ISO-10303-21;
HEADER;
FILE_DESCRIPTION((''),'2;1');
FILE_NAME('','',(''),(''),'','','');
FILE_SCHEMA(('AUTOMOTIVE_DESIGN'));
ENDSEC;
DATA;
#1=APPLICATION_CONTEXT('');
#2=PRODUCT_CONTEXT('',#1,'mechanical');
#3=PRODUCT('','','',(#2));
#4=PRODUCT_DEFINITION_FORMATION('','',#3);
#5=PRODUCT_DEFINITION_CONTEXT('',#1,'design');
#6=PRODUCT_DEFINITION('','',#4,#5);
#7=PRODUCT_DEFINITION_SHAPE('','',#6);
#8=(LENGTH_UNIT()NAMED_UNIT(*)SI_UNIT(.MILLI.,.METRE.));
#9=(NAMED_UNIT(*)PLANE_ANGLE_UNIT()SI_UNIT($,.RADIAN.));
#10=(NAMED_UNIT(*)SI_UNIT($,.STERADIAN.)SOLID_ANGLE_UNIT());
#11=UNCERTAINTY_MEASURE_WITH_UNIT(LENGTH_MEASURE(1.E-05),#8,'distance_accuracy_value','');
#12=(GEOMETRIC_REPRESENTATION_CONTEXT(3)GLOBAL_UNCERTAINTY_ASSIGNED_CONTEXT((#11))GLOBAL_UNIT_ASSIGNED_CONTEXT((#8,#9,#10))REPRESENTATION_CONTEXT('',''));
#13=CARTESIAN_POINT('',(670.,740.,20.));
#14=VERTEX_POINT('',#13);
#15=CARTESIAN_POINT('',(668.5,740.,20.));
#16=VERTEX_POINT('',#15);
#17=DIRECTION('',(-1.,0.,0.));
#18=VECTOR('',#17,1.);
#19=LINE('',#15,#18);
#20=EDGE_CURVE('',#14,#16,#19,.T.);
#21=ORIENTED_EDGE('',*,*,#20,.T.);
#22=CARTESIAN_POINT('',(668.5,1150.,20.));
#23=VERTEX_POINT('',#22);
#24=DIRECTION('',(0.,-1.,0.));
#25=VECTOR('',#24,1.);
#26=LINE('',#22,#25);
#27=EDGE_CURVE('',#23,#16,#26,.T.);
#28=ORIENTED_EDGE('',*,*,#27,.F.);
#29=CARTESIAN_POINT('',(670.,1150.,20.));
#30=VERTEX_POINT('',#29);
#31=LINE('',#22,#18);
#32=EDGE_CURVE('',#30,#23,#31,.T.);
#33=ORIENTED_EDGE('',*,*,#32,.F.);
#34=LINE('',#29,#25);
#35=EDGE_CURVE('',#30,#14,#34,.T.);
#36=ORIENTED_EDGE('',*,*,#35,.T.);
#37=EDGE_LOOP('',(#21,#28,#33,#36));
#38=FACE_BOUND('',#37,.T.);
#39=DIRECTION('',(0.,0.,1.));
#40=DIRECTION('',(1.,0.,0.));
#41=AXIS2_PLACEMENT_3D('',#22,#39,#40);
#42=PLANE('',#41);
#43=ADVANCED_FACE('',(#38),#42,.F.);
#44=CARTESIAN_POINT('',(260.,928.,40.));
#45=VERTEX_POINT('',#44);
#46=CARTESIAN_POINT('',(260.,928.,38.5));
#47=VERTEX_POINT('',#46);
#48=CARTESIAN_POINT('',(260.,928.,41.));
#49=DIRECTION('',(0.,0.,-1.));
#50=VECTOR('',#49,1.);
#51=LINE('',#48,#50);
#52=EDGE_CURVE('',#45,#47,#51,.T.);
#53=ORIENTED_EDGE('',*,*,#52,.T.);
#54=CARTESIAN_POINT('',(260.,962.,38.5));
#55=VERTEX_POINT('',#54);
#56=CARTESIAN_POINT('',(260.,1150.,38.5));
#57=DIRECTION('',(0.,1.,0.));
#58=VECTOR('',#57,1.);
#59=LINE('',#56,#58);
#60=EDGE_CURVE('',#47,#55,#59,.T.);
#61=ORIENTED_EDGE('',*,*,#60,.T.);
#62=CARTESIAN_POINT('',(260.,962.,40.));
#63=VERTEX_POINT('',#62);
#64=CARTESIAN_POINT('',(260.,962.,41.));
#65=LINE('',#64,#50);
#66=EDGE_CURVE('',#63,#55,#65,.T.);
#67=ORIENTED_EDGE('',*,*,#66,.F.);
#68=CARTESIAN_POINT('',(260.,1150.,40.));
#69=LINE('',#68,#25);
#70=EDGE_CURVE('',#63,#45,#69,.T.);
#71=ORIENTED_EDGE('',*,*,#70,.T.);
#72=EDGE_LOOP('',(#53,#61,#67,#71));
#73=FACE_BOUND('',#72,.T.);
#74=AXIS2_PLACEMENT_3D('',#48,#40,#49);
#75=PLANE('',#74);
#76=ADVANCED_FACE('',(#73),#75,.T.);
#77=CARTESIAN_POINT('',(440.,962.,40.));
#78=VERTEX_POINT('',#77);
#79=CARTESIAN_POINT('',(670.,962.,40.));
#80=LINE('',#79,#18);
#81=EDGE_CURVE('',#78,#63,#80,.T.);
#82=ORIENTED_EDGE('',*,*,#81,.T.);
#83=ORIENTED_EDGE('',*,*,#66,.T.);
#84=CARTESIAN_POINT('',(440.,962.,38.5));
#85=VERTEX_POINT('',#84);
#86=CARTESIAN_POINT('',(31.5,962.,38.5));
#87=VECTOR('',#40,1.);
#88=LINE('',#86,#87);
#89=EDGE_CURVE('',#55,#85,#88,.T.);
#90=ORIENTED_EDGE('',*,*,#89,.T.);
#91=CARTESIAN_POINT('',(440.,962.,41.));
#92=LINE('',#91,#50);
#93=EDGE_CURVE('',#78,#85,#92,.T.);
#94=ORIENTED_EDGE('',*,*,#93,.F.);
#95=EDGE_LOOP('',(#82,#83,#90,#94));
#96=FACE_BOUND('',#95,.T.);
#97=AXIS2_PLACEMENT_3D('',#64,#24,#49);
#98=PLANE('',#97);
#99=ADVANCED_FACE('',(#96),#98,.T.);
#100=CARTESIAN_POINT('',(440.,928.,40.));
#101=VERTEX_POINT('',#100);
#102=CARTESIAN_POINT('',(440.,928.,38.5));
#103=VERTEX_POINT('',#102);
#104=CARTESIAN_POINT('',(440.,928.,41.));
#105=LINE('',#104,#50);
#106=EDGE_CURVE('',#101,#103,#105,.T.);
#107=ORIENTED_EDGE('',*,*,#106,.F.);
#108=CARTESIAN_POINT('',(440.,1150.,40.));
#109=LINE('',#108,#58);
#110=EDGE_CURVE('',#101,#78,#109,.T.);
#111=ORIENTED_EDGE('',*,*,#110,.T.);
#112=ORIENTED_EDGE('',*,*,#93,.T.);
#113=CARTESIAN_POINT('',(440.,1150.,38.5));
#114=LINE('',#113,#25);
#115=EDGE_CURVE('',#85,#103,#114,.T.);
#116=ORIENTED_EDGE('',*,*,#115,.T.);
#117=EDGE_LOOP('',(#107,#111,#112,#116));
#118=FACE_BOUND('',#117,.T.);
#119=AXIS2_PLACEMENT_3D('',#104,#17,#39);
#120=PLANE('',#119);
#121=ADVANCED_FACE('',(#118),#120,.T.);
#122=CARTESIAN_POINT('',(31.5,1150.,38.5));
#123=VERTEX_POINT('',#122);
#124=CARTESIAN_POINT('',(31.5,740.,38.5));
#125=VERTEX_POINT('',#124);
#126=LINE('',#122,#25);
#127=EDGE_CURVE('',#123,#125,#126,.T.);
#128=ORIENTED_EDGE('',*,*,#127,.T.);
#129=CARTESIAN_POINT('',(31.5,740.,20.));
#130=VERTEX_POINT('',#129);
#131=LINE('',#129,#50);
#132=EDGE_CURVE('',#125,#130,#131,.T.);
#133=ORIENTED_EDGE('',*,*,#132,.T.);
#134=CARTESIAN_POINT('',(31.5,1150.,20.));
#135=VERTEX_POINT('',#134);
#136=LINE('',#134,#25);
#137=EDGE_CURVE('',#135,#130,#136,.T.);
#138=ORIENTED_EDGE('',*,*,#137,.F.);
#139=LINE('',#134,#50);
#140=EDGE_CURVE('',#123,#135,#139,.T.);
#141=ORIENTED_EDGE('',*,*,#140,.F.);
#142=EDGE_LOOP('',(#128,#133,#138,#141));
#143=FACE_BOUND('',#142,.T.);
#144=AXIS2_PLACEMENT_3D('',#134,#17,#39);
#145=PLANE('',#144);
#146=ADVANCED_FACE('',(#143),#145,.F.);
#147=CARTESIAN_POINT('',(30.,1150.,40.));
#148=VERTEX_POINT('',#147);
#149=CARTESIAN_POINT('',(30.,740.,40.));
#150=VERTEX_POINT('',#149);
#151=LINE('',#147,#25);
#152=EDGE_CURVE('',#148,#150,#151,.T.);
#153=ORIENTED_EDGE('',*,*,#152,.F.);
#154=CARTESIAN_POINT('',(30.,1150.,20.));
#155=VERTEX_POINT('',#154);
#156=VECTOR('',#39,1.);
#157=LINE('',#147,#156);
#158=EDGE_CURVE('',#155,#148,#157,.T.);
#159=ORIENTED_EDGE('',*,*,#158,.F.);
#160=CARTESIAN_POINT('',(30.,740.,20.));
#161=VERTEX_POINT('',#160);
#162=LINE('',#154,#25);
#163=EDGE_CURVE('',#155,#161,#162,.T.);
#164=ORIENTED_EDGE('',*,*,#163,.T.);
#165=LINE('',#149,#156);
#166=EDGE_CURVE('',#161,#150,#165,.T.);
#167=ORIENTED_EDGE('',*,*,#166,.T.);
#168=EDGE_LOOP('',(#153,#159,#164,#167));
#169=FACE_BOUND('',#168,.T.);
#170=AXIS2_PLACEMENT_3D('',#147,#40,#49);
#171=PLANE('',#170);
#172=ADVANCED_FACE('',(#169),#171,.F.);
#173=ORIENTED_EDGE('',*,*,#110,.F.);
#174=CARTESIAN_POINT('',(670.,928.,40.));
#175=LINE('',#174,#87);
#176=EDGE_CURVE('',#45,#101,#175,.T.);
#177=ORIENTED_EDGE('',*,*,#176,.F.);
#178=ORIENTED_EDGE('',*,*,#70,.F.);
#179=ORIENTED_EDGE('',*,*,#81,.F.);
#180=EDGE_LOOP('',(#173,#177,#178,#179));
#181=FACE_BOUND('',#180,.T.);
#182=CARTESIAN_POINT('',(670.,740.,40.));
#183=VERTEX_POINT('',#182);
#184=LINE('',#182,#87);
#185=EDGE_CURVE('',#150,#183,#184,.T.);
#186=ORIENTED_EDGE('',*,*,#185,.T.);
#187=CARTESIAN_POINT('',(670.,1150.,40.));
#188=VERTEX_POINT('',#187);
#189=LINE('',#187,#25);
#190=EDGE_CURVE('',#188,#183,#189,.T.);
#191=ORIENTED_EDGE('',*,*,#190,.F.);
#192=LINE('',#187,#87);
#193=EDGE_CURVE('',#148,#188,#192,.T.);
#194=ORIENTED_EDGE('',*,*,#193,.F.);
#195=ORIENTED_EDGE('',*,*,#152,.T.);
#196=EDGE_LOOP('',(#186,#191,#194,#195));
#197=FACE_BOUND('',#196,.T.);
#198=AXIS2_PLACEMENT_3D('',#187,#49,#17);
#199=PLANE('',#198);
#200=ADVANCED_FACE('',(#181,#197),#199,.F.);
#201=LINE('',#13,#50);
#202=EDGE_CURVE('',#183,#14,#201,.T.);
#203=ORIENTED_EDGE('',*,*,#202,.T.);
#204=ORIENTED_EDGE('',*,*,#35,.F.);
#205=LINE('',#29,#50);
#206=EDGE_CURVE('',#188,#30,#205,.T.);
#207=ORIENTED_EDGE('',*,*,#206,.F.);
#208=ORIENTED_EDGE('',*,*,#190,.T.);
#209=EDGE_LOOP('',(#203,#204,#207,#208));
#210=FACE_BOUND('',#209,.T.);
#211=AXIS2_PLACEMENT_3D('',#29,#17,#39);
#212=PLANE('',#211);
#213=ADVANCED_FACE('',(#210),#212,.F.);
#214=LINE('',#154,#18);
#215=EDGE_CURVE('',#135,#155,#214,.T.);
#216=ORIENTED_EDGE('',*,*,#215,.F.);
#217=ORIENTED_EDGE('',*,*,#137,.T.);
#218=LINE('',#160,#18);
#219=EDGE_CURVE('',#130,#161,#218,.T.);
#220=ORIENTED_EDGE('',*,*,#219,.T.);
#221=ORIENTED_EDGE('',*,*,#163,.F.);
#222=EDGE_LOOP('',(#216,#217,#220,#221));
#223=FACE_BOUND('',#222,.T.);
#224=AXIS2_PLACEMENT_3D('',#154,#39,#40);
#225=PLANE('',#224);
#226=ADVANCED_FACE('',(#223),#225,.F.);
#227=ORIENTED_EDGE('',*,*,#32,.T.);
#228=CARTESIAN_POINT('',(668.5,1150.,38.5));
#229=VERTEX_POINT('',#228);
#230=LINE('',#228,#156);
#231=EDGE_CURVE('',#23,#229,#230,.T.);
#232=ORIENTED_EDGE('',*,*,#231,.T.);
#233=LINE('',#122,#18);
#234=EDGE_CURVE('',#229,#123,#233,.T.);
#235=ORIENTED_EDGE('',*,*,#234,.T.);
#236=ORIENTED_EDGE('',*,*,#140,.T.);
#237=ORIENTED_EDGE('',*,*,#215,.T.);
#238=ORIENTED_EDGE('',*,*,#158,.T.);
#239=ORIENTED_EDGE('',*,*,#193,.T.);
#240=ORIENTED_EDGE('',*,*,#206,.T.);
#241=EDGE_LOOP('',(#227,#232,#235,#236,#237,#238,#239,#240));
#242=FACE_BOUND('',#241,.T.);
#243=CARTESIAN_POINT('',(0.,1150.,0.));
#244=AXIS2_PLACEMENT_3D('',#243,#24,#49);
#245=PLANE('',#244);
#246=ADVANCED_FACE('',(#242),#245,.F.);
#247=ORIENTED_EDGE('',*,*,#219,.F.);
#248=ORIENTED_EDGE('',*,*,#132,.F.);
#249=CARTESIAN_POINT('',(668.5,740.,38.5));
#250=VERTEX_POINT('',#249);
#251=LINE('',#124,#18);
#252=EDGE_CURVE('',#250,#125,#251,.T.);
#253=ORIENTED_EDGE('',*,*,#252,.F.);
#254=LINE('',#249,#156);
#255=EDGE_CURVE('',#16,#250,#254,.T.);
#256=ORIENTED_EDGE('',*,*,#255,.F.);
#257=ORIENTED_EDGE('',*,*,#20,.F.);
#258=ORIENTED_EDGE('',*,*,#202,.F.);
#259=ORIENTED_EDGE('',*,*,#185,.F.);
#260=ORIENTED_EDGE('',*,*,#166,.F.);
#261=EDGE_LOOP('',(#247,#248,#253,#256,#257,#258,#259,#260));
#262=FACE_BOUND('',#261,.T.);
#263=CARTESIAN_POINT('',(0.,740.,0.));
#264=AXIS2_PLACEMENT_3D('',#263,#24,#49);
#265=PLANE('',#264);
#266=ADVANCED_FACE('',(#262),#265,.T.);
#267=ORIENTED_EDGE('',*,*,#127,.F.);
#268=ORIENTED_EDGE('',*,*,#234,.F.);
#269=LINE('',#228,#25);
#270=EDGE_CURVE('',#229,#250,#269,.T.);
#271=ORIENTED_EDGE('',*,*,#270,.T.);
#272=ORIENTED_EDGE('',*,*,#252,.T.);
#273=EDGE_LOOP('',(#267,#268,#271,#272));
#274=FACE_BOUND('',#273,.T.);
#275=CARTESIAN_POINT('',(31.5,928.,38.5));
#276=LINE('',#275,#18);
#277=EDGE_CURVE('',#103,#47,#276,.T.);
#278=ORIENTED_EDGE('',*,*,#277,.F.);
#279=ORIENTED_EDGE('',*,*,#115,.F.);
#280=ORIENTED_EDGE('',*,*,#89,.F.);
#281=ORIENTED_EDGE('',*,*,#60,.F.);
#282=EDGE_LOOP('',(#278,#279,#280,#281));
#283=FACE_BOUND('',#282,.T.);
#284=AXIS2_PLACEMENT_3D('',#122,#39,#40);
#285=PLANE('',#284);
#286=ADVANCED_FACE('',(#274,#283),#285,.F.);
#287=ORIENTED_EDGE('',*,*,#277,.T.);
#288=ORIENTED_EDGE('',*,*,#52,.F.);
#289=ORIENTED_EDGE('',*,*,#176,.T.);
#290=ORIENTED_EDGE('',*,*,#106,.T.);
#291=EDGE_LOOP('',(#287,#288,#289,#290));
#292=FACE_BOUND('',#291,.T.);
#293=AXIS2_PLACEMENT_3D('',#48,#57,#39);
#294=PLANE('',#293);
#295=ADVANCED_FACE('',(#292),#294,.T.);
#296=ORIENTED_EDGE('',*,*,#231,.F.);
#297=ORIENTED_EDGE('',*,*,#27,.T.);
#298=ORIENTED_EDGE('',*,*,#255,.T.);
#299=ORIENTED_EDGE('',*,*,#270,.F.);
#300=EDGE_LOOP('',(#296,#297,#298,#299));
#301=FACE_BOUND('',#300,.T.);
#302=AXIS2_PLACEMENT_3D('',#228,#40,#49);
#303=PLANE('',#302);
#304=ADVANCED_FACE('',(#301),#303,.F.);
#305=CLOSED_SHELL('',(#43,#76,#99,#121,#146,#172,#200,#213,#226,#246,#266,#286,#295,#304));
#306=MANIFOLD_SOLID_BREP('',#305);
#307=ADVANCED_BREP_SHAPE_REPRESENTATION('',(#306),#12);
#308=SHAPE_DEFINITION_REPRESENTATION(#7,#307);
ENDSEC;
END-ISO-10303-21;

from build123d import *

# Parameters (mm, degrees)
TOPPING_KLAPE_KAT3_KAPAK_1_START = 740
TOPPING_KLAPE_KAT3_KAPAK_1_DEPTH = 410
TOPPING_KLAPE_KAT3_KAPAK_2_START = 27
SKETCH2_W                        = 180
SKETCH2_H                        = 34
TOPPING_KLAPE_KAT3_KAPAK_2_DEPTH = 14


with BuildPart() as part:
    # Sketch1 → TOPPING_klape_kat3_kapak_1 (new body)
    with BuildSketch(Plane(origin=(0, 0, 0), x_dir=(1, 0, 0), z_dir=(0, 1, 0)).offset(TOPPING_KLAPE_KAT3_KAPAK_1_START)):
        Polygon((30, -40), (30, -20), (31.5, -20), (31.5, -38.5), (668.5, -38.5), (668.5, -20), (670, -20), (670, -40), align=None)
    extrude(amount=TOPPING_KLAPE_KAT3_KAPAK_1_DEPTH)

    # Sketch2 → TOPPING_klape_kat3_kapak_2 (cut)
    with BuildSketch(Plane.XY.offset(TOPPING_KLAPE_KAT3_KAPAK_2_START)):
        with Locations((350, 945)):
            Rectangle(SKETCH2_W, SKETCH2_H)
    extrude(amount=TOPPING_KLAPE_KAT3_KAPAK_2_DEPTH, mode=Mode.SUBTRACT)


solid = part.part
